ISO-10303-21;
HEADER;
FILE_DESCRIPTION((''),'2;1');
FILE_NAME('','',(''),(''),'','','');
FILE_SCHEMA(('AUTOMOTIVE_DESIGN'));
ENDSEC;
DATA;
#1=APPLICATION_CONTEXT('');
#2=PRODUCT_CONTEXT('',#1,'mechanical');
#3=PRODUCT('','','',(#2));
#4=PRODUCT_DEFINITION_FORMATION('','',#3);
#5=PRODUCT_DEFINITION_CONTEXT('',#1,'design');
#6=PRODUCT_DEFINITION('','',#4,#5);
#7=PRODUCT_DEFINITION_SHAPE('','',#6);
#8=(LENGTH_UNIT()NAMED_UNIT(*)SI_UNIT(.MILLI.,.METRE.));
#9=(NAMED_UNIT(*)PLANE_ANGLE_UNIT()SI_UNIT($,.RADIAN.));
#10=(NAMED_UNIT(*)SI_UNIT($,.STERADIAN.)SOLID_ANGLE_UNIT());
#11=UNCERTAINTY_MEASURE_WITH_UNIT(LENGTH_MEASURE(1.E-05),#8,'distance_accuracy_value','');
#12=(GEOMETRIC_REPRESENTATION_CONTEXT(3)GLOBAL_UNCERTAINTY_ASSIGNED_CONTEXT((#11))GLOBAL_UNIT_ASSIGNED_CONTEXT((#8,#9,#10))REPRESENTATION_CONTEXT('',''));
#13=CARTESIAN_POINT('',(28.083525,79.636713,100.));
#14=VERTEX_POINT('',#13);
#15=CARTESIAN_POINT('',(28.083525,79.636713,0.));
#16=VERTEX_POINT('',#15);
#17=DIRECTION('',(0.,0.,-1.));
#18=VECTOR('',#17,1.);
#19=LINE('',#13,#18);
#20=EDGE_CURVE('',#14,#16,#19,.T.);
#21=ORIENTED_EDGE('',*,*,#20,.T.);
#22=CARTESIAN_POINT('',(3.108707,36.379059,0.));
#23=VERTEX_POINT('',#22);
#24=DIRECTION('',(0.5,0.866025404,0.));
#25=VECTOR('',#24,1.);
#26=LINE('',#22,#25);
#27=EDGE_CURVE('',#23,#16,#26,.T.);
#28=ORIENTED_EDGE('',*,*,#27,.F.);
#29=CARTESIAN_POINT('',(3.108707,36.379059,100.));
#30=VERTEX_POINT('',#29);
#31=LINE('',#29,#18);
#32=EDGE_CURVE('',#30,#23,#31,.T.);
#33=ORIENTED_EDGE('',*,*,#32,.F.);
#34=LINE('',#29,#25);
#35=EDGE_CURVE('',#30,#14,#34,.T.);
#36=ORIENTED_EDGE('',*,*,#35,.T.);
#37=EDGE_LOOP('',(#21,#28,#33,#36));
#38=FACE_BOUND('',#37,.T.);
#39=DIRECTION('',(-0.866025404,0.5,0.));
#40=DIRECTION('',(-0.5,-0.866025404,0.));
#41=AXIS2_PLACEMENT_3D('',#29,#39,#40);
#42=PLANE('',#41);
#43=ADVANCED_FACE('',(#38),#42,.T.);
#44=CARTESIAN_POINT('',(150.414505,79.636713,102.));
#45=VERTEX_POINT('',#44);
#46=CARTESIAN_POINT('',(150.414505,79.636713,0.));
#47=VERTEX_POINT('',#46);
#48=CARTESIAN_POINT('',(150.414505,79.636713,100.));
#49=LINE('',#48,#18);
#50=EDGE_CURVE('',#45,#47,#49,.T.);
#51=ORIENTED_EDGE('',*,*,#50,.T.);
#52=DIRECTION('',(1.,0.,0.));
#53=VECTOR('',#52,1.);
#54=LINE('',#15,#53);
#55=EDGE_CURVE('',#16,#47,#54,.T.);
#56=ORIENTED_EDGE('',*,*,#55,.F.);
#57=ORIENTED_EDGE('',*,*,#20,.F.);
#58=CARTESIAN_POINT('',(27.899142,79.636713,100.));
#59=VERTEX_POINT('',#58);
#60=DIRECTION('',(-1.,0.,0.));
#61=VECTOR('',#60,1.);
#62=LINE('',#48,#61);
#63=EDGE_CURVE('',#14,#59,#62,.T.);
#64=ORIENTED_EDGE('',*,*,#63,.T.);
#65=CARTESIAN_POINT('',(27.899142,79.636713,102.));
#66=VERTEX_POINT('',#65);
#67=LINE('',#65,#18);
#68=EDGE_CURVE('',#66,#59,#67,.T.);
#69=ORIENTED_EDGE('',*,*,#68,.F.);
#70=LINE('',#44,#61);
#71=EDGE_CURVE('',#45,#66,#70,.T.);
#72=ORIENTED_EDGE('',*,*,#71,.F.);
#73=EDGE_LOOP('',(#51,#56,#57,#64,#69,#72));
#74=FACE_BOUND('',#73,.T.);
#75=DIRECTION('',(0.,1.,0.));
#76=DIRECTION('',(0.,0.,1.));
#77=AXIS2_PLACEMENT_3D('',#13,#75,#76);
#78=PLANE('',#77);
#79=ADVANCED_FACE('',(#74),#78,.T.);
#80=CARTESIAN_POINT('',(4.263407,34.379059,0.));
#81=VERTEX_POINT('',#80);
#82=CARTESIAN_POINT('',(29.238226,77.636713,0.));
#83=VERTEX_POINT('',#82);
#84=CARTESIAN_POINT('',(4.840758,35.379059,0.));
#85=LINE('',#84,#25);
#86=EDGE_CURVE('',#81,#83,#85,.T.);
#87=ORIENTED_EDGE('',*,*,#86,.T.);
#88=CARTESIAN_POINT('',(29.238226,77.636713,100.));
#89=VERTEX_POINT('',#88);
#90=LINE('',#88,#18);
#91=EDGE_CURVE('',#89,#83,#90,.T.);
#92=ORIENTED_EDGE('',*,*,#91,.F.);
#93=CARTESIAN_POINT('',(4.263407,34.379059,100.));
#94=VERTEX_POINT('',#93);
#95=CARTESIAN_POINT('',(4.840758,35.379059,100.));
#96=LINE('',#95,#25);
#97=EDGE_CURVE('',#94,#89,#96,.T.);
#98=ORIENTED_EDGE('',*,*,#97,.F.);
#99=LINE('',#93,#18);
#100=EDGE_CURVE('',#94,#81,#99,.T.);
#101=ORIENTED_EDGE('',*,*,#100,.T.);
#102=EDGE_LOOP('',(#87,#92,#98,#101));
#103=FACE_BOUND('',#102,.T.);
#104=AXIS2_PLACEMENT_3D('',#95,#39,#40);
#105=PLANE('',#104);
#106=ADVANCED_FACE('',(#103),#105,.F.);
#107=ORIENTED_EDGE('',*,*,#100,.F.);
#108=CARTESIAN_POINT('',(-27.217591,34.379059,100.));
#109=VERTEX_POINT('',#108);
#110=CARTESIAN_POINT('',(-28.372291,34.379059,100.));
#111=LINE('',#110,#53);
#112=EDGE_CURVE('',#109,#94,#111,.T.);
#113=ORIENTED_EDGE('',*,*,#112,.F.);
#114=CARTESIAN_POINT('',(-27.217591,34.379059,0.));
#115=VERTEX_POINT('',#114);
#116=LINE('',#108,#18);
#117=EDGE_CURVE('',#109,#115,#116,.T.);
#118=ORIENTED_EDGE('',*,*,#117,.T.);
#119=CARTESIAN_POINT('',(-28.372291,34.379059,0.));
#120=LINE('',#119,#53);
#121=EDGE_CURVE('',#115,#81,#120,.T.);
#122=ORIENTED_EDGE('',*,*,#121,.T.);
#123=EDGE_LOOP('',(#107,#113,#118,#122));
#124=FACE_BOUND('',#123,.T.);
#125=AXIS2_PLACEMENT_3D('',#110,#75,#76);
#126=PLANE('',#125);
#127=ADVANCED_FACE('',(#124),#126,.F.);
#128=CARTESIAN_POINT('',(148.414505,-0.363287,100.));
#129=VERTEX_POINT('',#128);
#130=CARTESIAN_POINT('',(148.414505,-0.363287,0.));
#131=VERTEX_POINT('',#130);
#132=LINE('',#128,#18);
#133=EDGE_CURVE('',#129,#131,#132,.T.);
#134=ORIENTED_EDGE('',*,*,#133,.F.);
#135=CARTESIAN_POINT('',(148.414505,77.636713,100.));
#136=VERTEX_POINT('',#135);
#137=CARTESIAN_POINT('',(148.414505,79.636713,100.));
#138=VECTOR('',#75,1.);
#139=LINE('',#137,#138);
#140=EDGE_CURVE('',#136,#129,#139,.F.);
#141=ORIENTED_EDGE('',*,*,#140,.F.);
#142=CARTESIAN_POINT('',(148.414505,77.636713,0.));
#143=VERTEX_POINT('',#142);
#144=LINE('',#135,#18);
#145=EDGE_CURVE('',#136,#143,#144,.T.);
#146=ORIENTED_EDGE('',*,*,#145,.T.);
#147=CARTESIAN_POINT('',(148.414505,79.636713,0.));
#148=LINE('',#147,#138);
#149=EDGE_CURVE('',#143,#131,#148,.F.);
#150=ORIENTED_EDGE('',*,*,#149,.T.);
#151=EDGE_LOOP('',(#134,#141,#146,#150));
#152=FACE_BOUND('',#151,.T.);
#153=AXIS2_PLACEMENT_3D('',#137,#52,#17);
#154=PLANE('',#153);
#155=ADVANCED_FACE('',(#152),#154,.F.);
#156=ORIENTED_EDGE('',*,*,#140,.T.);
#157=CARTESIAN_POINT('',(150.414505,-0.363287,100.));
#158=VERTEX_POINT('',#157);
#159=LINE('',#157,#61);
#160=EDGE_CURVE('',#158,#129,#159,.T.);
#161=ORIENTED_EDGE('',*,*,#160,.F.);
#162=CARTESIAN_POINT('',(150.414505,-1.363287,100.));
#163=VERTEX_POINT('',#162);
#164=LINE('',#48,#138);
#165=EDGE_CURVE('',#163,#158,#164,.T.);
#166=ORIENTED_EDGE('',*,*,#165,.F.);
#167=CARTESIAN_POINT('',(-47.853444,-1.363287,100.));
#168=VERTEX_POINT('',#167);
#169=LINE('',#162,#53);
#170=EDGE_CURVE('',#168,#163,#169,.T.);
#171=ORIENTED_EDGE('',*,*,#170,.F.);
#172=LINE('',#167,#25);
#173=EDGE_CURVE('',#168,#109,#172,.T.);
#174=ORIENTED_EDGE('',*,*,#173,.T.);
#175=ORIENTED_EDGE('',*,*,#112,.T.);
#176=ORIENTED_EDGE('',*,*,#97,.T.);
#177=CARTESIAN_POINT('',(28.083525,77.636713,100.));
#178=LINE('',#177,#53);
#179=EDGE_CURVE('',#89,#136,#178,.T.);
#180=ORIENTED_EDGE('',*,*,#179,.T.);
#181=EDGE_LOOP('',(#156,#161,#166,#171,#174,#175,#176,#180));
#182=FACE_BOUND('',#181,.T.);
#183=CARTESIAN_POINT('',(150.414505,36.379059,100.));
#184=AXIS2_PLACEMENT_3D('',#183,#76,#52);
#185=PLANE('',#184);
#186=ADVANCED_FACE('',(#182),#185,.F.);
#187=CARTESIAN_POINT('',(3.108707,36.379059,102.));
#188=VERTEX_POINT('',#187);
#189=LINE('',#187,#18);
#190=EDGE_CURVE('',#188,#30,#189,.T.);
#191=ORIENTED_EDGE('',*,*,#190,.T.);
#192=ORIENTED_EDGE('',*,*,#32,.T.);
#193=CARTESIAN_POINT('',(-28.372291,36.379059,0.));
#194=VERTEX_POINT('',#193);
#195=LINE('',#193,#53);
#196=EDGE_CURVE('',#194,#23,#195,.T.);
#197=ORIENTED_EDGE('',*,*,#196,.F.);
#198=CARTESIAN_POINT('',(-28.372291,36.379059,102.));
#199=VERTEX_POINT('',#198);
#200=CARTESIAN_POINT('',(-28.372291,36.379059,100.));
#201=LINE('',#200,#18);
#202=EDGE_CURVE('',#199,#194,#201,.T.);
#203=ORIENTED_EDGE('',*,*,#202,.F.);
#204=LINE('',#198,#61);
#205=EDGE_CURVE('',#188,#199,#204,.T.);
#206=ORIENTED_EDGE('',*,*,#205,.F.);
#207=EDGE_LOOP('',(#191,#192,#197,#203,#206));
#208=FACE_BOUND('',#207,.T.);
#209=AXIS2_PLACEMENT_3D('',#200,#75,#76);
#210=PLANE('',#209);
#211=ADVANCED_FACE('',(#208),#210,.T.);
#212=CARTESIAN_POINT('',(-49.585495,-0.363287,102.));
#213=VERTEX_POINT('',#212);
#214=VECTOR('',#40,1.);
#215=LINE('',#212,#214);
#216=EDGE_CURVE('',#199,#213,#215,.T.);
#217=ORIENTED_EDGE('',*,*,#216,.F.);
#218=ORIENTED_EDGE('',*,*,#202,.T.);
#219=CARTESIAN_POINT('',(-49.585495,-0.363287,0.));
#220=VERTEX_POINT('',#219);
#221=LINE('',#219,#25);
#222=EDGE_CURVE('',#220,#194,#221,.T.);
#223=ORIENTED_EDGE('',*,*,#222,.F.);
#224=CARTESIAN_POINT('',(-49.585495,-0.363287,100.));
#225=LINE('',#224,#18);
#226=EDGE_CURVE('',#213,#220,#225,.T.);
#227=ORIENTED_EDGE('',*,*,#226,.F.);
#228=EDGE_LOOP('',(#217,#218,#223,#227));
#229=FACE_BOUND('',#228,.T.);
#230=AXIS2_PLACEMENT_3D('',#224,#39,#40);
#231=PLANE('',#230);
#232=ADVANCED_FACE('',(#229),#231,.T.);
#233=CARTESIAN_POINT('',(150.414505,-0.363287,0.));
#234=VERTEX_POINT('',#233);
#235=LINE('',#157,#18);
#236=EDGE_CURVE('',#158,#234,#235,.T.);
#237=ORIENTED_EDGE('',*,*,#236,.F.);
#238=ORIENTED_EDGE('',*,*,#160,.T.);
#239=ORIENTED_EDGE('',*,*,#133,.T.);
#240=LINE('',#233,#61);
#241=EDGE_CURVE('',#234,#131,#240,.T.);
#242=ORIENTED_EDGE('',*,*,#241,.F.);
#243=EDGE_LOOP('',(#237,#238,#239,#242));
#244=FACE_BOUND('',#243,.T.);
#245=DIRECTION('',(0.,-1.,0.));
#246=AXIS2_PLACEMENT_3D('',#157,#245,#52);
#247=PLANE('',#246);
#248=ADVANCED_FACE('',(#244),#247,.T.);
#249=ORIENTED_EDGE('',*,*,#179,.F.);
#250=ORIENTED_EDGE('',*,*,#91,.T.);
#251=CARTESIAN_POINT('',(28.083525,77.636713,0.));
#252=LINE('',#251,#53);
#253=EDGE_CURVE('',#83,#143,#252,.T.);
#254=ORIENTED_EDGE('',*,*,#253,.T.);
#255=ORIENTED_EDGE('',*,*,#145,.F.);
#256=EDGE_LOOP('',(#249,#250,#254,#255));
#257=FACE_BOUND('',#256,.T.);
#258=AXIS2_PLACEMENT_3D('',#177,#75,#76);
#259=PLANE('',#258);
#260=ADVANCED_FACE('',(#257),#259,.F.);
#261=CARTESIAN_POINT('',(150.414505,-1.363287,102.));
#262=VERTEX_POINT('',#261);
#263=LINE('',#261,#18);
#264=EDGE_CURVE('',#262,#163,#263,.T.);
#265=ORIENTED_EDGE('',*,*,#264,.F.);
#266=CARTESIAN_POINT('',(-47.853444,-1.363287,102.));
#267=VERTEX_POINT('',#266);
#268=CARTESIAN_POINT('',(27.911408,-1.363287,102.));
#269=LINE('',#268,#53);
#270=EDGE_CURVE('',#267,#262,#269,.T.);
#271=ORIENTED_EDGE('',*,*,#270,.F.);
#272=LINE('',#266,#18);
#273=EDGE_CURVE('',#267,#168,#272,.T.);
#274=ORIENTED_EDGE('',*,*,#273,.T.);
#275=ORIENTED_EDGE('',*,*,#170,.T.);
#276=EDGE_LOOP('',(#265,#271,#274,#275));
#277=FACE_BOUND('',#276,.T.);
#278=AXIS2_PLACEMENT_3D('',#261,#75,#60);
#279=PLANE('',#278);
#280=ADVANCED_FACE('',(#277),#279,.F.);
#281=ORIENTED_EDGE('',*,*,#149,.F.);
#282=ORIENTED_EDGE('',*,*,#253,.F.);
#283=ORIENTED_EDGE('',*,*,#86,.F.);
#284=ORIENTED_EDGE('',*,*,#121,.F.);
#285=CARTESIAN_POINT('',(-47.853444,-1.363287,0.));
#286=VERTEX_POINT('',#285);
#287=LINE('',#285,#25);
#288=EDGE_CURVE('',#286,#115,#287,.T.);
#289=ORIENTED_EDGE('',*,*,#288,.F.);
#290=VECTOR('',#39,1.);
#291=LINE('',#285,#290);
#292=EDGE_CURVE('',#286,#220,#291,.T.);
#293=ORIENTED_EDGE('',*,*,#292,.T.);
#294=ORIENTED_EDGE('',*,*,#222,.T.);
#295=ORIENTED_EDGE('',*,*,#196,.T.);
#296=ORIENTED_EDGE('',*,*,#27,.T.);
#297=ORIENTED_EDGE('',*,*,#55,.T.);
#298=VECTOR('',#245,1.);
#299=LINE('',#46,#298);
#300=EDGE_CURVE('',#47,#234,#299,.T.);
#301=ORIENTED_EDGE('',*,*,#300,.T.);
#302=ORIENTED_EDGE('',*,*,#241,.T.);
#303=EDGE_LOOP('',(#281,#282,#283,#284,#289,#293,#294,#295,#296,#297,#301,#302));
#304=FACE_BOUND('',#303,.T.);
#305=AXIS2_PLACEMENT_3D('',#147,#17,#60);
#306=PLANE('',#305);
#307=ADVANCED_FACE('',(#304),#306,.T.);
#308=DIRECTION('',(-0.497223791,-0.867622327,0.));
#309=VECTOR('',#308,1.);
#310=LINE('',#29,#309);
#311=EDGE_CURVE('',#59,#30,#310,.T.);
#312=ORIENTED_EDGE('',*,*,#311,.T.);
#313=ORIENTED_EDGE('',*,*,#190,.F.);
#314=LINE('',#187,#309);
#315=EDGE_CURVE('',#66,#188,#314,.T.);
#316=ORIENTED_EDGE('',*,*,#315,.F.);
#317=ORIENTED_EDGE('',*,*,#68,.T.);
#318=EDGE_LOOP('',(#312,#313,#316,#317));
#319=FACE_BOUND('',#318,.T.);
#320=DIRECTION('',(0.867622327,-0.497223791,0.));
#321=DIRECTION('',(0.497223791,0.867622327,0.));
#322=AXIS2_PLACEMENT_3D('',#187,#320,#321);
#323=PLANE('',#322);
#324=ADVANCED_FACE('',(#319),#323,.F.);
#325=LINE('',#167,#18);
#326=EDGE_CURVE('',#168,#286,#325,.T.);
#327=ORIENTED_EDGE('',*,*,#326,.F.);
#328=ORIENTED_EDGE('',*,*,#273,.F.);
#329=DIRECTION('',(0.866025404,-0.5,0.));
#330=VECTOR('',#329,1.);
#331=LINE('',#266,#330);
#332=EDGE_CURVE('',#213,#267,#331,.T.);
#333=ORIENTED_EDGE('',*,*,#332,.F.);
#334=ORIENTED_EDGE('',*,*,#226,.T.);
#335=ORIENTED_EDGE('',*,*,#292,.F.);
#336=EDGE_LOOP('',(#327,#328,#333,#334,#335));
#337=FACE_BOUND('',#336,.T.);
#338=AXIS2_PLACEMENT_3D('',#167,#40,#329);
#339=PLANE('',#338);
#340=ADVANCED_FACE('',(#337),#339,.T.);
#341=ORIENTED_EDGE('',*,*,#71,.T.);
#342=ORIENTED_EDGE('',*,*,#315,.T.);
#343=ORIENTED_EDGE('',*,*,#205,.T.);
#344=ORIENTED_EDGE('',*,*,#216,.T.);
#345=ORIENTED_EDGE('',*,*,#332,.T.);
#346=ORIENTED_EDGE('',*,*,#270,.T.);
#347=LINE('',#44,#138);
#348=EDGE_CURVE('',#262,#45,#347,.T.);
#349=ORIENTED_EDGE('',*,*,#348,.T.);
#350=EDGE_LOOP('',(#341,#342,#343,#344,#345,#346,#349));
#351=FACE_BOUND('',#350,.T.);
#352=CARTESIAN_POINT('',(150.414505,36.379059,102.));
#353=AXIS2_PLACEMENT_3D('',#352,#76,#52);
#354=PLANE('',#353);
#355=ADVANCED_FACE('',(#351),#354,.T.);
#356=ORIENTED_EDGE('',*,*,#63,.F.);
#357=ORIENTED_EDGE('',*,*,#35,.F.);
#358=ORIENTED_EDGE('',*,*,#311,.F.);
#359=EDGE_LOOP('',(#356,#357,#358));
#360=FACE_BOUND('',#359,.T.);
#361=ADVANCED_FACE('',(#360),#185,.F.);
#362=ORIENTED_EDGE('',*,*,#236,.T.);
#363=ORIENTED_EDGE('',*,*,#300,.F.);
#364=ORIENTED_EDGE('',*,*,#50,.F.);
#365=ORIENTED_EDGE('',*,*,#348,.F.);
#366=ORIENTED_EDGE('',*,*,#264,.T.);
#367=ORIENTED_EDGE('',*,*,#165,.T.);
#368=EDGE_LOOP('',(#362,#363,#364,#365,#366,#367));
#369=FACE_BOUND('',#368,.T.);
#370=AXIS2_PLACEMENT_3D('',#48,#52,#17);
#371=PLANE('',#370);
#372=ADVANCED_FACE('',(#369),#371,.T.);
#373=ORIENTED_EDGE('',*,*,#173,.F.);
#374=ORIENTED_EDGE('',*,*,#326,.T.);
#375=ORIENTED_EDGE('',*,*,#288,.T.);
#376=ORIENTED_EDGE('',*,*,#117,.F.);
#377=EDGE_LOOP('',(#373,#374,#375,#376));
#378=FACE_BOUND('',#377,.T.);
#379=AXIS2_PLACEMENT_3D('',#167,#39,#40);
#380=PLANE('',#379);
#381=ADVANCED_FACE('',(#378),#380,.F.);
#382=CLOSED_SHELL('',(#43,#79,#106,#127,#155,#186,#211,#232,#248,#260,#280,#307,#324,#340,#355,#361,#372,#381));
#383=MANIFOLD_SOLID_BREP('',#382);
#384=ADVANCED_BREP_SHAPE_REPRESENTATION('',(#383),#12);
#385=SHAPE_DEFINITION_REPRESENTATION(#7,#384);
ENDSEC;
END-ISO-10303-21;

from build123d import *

# Parameters (mm, degrees)
EXTRU_MINCE1_DEPTH = 100
EXTRUSION2_DEPTH   = 2


with BuildPart() as part:
    # Esquisse1 → Extru.-Mince1 (new body)
    with BuildSketch(Plane.XY):
        Polygon((-49.585494923, -0.363286713), (-28.372291487, 36.379059428), (3.108706941, 36.379059428), (28.083525041, 79.636713287), (150.414505077, 79.636713287), (150.414505077, -0.363286713), (148.414505077, -0.363286713), (148.414505077, 77.636713287), (29.238225579, 77.636713287), (4.263407479, 34.379059428), (-27.217590949, 34.379059428), (-47.853444115, -1.363286713), align=None)
    extrude(amount=EXTRU_MINCE1_DEPTH)

    # Esquisse2 → Extrusion2 (add)
    with BuildSketch(Plane.XY.offset(100)):
        Polygon((27.911407902, -1.363286713), (-47.853444115, -1.363286713), (-49.585494923, -0.363286713), (-28.372291487, 36.379059428), (3.108706941, 36.379059428), (27.899141653, 79.636713287), (150.414505077, 79.636713287), (150.414505077, -1.363286713), align=None)
    extrude(amount=EXTRUSION2_DEPTH)


solid = part.part
